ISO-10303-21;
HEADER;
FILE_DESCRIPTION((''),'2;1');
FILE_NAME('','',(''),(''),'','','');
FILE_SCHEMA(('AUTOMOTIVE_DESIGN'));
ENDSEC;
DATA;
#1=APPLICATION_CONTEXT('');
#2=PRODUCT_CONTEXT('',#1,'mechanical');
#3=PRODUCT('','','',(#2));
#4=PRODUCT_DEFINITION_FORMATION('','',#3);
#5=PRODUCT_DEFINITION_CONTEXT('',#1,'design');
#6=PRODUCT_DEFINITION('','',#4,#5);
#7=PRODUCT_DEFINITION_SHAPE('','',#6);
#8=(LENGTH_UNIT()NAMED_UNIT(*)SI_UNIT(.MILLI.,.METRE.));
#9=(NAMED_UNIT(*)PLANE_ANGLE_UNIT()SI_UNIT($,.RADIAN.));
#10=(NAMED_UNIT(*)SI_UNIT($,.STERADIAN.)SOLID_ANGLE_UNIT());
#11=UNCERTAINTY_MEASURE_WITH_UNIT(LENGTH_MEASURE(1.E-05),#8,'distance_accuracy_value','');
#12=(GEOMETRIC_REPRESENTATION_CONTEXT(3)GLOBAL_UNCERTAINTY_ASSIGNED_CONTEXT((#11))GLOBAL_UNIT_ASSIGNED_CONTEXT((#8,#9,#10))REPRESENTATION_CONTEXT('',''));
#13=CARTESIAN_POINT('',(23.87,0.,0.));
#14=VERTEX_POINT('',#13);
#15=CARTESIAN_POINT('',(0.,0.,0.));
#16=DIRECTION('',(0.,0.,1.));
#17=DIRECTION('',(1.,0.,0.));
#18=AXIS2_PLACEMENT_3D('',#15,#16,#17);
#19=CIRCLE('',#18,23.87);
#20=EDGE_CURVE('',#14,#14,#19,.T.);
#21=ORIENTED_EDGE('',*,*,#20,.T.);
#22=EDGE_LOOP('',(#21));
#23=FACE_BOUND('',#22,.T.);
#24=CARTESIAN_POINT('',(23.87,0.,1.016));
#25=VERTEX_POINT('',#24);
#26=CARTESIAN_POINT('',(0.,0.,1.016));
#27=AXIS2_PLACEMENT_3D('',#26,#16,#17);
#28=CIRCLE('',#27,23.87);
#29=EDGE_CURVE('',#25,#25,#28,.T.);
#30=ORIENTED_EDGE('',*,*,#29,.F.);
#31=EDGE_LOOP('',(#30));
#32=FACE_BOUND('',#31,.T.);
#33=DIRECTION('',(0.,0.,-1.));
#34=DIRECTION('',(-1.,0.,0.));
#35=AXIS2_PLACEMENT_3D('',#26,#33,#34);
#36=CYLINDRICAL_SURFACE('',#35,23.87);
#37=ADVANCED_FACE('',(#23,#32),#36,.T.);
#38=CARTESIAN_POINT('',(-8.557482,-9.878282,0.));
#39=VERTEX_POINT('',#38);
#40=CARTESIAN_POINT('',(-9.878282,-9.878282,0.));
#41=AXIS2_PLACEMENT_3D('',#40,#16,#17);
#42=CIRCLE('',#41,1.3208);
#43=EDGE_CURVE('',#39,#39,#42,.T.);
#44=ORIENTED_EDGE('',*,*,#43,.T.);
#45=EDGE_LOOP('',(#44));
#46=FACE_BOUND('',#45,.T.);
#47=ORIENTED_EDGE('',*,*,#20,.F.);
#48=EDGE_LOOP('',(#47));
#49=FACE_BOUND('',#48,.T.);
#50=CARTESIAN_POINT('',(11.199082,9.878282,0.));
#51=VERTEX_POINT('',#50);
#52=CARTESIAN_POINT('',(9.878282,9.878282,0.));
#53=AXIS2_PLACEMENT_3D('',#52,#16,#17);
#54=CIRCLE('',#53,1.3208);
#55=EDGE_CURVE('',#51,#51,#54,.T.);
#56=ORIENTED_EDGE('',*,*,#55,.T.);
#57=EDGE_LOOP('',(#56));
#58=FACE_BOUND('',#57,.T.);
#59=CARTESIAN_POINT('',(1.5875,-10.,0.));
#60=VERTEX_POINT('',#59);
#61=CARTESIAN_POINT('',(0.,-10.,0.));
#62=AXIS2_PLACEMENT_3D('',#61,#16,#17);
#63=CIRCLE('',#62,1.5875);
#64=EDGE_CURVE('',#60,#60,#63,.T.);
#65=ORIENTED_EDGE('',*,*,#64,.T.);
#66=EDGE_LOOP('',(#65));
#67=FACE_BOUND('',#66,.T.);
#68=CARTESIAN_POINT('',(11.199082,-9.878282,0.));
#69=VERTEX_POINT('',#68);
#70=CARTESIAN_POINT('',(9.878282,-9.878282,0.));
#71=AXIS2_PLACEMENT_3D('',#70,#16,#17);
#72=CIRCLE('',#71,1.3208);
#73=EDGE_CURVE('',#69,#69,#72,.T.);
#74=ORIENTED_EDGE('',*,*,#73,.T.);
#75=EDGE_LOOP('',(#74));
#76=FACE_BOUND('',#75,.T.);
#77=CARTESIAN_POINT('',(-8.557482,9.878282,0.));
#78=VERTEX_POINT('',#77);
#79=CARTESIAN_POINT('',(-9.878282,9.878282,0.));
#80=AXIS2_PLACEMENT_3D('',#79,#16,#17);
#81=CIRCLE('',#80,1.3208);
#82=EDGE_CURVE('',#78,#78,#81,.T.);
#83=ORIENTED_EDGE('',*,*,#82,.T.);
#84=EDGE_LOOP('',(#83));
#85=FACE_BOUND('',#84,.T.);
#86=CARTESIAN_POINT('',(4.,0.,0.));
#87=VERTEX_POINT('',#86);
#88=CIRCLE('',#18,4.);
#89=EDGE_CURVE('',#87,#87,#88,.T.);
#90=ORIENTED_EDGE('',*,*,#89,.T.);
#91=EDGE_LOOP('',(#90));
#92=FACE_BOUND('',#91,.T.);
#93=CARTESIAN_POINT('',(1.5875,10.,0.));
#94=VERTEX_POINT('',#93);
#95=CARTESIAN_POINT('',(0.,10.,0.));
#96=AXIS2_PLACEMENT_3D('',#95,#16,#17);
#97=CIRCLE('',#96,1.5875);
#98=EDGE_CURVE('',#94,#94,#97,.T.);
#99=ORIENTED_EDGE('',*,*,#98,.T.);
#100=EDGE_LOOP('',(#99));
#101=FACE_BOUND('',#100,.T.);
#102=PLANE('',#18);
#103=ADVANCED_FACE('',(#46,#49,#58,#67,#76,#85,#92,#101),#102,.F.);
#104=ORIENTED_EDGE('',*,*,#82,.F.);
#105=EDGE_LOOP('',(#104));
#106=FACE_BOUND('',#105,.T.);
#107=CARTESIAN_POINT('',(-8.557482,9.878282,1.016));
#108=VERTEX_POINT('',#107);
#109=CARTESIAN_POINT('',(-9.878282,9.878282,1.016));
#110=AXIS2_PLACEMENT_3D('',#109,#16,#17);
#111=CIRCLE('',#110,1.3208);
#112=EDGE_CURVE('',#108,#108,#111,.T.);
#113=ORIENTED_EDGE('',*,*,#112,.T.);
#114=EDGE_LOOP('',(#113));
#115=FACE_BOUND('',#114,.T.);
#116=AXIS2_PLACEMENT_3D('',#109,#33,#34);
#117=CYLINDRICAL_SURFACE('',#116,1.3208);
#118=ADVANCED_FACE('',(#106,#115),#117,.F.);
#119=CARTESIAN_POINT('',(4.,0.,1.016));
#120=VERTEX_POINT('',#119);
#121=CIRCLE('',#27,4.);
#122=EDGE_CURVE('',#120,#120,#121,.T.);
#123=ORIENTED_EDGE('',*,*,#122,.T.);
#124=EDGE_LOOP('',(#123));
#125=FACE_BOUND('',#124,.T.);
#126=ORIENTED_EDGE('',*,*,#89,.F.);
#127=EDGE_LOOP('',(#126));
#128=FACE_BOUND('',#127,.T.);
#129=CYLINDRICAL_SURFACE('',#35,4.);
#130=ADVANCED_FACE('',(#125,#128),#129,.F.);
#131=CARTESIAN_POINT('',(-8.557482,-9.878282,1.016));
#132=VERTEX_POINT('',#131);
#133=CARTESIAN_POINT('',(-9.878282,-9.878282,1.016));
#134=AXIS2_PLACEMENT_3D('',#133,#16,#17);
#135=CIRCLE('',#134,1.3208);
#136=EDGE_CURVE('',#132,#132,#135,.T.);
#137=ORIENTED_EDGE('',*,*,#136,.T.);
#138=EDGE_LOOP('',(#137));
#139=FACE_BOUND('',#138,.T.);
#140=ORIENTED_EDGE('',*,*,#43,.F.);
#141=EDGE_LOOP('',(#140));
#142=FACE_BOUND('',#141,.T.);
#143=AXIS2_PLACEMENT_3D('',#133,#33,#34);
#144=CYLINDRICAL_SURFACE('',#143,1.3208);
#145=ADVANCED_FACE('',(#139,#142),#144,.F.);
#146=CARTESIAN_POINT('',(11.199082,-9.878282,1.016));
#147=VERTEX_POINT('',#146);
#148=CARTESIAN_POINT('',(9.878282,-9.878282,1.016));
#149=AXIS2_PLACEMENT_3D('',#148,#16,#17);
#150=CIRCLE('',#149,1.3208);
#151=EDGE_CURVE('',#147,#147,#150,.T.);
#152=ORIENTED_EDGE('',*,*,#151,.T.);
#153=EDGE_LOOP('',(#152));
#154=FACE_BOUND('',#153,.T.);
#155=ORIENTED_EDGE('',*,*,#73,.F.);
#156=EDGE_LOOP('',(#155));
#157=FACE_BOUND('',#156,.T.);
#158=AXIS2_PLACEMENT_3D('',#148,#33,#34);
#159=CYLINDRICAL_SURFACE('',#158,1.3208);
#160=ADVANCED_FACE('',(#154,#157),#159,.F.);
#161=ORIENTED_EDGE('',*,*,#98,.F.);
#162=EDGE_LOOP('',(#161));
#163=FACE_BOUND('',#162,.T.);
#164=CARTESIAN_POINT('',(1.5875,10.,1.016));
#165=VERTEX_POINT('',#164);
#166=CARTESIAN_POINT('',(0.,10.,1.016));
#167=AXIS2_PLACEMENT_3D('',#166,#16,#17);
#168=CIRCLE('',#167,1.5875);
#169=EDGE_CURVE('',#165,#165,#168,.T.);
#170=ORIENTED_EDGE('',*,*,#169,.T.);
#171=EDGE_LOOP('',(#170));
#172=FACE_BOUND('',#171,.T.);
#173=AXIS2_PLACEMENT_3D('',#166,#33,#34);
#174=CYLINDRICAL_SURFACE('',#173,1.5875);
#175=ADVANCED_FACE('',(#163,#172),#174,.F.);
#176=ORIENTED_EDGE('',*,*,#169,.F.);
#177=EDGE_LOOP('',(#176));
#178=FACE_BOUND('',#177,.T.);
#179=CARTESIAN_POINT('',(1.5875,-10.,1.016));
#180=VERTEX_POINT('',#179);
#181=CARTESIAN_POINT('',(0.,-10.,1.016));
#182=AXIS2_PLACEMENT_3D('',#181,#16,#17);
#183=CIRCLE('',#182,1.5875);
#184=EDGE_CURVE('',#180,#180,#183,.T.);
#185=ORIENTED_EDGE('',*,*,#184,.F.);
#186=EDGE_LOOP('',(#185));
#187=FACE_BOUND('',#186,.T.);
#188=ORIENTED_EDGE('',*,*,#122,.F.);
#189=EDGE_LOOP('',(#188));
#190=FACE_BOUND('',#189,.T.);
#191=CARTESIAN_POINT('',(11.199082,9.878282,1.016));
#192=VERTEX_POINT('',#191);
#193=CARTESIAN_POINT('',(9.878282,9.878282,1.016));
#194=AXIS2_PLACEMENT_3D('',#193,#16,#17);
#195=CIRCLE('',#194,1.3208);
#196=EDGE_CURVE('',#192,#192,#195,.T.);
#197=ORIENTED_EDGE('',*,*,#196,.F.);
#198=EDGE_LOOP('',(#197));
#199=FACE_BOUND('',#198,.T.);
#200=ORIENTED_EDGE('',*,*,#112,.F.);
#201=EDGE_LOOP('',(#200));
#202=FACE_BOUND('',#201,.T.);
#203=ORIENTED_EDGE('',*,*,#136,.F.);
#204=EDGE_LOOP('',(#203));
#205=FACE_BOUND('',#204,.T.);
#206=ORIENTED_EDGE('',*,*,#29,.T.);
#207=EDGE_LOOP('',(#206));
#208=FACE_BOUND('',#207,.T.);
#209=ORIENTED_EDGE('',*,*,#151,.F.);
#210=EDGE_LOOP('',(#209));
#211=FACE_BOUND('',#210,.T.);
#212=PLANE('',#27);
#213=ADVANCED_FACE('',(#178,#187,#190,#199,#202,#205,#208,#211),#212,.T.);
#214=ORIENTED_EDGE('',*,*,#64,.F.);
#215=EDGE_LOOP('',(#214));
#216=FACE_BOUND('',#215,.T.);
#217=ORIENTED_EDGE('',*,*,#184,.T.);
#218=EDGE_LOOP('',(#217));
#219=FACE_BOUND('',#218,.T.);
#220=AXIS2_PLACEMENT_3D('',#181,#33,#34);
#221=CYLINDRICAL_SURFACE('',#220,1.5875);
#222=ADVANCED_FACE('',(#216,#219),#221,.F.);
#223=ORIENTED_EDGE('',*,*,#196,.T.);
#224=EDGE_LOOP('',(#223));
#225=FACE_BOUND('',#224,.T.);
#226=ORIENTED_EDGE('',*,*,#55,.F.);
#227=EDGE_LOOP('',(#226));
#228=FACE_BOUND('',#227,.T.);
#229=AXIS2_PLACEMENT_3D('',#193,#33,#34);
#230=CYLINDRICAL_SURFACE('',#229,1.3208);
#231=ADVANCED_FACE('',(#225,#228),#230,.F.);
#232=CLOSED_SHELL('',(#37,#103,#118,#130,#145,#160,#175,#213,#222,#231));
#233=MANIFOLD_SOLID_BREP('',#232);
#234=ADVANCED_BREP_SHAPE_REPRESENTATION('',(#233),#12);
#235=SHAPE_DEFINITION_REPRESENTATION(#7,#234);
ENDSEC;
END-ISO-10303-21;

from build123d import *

# Parameters (mm, degrees)
SKETCH1_R           = 23.87
SKETCH1_R_2         = 1.5875
SKETCH1_R_3         = 1.3208
SKETCH1_R_4         = 4
BOSS_EXTRUDE2_DEPTH = 1.016


with BuildPart() as part:
    # Sketch1 → Boss-Extrude2 (new body)
    with BuildSketch(Plane.XY):
        Circle(SKETCH1_R)
        with Locations((0, 10)):
            Circle(SKETCH1_R_2, mode=Mode.SUBTRACT)
        with Locations((9.878281733, -9.878281733)):
            Circle(SKETCH1_R_3, mode=Mode.SUBTRACT)
        with Locations((9.878281733, 9.878281733)):
            Circle(SKETCH1_R_3, mode=Mode.SUBTRACT)
        with Locations((-9.878281733, -9.878281733)):
            Circle(SKETCH1_R_3, mode=Mode.SUBTRACT)
        with Locations((-9.878281733, 9.878281733)):
            Circle(SKETCH1_R_3, mode=Mode.SUBTRACT)
        Circle(SKETCH1_R_4, mode=Mode.SUBTRACT)
        with Locations((0, -10)):
            Circle(SKETCH1_R_2, mode=Mode.SUBTRACT)
    extrude(amount=BOSS_EXTRUDE2_DEPTH)


solid = part.part
